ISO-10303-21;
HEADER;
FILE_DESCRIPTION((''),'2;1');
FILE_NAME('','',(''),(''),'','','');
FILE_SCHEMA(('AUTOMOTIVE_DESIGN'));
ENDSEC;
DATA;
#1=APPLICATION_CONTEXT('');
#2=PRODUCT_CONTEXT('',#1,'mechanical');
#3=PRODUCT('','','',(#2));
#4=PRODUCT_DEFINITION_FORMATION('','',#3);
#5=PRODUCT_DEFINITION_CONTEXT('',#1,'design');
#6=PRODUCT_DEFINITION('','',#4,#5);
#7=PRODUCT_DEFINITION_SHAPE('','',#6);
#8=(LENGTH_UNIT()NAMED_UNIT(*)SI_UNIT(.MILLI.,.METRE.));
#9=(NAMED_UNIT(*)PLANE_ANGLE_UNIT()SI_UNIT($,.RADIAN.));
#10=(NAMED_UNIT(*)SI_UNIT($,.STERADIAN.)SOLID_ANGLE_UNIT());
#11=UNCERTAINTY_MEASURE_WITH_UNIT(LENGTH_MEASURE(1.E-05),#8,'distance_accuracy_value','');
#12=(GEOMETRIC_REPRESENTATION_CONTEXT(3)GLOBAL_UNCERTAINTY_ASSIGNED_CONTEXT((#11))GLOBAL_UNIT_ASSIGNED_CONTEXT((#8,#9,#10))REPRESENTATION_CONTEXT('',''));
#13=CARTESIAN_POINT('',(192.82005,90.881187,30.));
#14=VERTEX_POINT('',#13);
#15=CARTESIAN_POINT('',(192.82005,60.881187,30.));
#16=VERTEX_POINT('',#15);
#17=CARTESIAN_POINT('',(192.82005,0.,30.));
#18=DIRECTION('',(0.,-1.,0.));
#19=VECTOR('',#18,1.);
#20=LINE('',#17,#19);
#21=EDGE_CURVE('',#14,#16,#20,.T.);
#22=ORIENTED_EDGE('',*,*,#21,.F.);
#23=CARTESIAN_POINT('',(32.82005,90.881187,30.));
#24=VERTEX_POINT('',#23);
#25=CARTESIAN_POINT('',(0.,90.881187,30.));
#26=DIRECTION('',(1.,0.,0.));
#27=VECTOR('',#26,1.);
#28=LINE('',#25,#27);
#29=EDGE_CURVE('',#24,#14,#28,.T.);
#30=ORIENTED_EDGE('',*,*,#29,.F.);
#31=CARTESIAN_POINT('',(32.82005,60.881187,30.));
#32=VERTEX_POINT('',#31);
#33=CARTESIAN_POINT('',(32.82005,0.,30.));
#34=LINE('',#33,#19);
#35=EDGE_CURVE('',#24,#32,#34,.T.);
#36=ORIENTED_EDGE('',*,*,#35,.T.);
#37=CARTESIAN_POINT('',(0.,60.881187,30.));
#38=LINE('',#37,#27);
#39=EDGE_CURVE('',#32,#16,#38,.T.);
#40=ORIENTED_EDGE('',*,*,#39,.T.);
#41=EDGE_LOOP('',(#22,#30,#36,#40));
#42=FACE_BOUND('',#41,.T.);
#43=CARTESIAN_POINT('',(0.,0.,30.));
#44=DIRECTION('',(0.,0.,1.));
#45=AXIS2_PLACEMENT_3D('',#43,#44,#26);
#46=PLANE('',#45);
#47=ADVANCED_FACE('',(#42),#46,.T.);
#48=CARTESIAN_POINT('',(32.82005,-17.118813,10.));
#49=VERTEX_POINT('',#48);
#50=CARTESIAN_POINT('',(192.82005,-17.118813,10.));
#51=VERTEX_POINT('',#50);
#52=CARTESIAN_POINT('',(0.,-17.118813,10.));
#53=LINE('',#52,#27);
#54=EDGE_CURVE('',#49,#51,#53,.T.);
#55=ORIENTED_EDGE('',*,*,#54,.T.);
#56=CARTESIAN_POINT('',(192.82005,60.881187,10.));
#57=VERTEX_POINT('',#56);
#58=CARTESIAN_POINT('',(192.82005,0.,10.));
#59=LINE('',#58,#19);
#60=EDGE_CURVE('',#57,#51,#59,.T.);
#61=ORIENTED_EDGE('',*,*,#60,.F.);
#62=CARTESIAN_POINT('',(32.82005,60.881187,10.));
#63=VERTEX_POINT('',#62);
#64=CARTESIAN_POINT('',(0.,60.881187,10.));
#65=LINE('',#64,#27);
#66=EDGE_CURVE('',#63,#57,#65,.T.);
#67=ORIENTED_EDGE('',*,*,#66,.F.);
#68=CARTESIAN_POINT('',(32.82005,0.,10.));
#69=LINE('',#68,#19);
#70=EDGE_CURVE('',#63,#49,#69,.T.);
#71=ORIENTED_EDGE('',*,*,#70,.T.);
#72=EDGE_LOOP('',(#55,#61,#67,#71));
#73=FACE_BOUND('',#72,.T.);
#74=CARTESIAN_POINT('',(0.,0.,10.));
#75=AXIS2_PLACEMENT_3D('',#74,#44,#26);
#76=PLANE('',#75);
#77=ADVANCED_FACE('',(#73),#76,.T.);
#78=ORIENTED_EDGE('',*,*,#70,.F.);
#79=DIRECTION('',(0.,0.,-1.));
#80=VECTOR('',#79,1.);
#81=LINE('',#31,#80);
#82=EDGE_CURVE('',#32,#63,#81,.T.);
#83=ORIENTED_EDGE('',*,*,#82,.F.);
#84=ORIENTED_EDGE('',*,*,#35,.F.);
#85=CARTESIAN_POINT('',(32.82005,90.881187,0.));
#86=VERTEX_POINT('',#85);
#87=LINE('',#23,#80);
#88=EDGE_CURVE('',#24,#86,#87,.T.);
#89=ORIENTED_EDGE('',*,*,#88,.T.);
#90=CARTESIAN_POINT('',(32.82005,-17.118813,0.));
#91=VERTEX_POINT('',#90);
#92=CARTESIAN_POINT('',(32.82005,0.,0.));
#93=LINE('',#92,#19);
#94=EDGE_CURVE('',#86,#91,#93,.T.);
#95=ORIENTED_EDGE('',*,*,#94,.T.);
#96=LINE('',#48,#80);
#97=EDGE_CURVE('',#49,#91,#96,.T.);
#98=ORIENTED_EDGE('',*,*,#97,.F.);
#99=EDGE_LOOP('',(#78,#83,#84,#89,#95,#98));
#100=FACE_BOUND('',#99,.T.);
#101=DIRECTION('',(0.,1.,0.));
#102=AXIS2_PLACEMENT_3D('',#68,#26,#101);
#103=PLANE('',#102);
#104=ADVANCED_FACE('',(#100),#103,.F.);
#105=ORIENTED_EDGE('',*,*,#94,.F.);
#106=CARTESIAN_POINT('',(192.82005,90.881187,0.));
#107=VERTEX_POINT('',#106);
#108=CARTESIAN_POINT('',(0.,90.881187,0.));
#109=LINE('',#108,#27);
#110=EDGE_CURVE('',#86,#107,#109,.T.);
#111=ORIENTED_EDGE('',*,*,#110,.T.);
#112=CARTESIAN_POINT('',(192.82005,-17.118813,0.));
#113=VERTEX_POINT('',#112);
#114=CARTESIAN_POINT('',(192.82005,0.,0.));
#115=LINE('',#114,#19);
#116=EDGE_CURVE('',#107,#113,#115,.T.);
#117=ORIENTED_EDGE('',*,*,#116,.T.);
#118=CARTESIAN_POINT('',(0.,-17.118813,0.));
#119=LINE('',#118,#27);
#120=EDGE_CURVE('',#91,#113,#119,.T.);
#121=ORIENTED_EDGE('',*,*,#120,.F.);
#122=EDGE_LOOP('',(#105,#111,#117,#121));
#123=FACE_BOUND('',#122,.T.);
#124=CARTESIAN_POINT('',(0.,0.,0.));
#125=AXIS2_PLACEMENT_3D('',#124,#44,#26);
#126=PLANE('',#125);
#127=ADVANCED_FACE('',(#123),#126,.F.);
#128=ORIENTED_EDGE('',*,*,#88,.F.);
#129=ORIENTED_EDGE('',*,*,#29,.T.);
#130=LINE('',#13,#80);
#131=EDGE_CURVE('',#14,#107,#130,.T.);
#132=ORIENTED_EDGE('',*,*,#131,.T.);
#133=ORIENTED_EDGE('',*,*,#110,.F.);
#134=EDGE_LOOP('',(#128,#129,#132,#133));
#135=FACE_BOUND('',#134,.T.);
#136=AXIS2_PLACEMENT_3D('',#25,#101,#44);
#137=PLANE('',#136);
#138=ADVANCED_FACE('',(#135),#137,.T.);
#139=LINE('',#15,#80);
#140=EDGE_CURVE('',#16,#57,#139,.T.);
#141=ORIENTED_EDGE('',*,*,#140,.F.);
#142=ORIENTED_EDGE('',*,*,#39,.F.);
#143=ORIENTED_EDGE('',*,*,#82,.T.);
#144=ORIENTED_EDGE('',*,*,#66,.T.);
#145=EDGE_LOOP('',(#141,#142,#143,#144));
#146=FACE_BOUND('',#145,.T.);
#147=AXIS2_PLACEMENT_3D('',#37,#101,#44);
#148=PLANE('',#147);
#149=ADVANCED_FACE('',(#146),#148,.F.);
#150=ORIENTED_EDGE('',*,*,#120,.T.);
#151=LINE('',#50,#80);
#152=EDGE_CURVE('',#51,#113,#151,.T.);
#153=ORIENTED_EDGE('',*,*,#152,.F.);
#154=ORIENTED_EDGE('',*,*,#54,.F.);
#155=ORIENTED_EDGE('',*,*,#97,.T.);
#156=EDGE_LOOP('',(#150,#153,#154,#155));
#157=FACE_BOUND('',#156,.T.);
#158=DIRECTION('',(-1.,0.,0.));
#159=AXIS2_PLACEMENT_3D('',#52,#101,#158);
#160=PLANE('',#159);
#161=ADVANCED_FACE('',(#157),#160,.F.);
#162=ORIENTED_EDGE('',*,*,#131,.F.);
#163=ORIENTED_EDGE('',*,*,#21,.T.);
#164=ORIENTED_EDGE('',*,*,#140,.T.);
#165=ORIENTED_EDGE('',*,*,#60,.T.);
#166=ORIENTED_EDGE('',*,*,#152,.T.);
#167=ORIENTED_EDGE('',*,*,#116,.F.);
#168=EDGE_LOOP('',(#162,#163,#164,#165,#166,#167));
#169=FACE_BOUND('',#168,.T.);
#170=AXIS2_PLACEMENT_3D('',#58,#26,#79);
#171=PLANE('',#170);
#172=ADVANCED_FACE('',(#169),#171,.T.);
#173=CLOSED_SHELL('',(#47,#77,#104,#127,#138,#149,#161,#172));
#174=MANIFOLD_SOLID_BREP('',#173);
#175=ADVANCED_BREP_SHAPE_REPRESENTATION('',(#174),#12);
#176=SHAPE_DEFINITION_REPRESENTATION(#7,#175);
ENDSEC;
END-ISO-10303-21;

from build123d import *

# Parameters (mm, degrees)
SKETCH2_W           = 160
SKETCH2_H           = 78
BOSS_EXTRUDE1_DEPTH = 10
SKETCH2_3_W         = 160
SKETCH2_3_H         = 30
BOSS_EXTRUDE2_DEPTH = 30


with BuildPart() as part:
    # Sketch2 → Boss-Extrude1 (new body)
    with BuildSketch(Plane.XY):
        with Locations((112.820049602, 21.881187112)):
            Rectangle(SKETCH2_W, SKETCH2_H)
    extrude(amount=BOSS_EXTRUDE1_DEPTH)

    # Sketch2<3> → Boss-Extrude2 (add)
    with BuildSketch(Plane.XY):
        with Locations((112.820049602, 75.881187112)):
            Rectangle(SKETCH2_3_W, SKETCH2_3_H)
    extrude(amount=BOSS_EXTRUDE2_DEPTH)


solid = part.part
